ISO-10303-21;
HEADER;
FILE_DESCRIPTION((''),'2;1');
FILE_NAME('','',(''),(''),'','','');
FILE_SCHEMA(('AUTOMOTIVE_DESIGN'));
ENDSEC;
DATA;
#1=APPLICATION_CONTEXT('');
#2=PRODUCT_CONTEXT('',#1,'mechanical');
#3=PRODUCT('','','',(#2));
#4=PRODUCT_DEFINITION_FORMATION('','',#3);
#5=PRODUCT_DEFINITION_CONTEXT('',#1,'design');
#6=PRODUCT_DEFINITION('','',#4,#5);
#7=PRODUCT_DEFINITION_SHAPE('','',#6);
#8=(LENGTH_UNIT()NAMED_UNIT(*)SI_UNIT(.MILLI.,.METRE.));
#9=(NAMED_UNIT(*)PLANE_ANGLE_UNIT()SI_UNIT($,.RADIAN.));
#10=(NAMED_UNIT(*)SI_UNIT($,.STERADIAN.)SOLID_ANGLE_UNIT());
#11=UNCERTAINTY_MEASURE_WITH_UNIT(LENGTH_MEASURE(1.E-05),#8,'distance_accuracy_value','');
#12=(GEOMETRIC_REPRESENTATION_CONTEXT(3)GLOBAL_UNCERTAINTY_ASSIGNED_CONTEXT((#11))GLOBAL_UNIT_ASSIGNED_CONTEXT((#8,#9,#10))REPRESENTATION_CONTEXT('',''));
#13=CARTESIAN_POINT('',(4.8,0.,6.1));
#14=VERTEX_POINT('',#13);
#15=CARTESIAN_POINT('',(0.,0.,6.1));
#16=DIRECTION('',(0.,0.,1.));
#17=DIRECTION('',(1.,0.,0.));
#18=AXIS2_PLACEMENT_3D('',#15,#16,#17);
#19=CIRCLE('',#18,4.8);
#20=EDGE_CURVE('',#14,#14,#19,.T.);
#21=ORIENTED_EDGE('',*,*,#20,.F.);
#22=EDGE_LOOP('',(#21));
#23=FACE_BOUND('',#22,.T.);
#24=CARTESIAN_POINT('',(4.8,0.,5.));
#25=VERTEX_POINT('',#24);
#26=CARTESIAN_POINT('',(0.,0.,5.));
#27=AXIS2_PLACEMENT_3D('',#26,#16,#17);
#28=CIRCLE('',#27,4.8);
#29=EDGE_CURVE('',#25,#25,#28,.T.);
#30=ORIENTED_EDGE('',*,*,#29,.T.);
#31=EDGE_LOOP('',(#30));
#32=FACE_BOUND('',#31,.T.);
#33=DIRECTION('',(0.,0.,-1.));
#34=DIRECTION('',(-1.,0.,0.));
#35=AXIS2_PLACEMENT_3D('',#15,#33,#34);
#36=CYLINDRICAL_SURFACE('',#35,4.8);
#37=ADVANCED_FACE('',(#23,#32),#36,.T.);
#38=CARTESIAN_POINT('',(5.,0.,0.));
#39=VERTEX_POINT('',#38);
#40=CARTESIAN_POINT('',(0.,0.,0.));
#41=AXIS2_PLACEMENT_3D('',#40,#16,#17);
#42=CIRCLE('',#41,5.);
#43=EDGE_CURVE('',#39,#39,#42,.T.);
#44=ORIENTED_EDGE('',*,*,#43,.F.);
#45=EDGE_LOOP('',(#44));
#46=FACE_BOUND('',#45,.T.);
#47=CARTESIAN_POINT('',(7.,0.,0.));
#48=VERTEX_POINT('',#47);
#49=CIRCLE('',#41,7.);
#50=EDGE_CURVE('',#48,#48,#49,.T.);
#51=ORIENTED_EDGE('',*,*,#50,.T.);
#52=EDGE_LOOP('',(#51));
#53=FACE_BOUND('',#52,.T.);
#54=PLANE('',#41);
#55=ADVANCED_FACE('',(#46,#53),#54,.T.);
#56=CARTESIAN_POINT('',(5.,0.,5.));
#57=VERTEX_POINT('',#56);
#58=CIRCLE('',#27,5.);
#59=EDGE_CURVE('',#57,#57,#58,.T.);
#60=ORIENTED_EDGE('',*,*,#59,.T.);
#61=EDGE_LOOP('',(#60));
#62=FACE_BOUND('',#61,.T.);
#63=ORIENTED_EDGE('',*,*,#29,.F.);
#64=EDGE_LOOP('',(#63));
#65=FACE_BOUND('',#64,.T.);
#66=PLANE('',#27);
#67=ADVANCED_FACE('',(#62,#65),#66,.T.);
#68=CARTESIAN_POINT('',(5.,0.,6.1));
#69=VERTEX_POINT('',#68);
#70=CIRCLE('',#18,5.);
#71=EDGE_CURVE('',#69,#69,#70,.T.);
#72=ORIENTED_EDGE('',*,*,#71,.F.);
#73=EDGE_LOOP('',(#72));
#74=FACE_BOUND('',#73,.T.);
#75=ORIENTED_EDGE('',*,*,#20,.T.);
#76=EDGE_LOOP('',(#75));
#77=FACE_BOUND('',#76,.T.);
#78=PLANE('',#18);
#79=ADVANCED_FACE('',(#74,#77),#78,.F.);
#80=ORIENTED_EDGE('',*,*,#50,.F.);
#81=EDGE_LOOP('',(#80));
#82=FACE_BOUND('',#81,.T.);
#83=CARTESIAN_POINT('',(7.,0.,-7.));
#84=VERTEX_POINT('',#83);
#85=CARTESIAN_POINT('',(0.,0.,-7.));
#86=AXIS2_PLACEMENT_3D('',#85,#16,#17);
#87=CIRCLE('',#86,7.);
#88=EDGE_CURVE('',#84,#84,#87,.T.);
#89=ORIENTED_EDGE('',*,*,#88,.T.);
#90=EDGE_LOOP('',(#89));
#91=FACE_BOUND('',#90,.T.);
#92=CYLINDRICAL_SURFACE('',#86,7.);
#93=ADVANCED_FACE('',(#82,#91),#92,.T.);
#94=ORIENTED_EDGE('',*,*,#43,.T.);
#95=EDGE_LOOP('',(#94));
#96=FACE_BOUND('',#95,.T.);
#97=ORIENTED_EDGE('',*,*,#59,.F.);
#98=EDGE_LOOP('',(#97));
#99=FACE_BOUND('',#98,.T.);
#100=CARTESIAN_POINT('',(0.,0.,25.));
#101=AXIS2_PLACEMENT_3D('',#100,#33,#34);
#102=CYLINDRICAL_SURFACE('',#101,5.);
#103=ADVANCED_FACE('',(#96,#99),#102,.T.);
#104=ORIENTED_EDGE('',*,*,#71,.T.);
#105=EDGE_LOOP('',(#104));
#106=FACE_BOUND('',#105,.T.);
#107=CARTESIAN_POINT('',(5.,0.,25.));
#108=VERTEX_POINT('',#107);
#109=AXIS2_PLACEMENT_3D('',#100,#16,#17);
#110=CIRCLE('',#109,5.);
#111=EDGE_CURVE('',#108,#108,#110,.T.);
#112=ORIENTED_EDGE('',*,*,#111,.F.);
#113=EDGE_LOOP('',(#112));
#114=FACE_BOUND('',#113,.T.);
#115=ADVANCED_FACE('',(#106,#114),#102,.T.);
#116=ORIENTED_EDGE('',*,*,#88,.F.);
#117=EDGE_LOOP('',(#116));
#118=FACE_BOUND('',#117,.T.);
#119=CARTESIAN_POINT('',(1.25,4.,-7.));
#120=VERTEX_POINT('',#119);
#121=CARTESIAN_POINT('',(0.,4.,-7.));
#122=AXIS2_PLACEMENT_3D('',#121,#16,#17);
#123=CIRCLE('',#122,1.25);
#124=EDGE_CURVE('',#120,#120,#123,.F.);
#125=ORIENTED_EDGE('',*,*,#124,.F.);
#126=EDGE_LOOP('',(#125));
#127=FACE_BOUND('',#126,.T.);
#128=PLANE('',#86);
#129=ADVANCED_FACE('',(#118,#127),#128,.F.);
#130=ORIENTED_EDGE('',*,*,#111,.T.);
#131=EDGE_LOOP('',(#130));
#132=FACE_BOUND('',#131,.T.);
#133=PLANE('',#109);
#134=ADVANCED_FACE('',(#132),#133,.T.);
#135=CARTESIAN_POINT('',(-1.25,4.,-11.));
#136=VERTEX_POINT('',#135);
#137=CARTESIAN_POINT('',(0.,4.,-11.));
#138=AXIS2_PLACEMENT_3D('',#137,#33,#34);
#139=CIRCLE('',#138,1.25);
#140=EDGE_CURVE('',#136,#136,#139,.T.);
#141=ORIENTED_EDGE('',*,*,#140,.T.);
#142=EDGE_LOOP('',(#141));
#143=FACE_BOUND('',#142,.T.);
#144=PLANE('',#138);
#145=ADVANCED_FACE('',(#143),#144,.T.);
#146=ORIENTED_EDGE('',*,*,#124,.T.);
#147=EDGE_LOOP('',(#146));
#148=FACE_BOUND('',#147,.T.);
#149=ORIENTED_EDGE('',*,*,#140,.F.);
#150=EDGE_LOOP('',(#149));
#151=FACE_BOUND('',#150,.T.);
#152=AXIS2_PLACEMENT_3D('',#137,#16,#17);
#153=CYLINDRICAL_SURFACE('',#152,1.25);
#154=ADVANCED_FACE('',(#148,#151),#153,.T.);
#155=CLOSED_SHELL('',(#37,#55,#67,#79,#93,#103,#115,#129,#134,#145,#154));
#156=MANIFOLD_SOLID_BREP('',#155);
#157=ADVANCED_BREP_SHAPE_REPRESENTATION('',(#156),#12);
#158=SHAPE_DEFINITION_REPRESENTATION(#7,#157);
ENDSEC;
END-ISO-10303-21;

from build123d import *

# Parameters (mm, degrees)
SKETCH1_R           = 7
BOSS_EXTRUDE1_DEPTH = 7
SKETCH2_R           = 5
BOSS_EXTRUDE2_DEPTH = 25
SKETCH3_R           = 6
SKETCH3_R_2         = 4.8
CUT_EXTRUDE1_DEPTH  = 1.1
SKETCH4_R           = 1.25
BOSS_EXTRUDE3_DEPTH = 4


with BuildPart() as part:
    # Sketch1 → Boss-Extrude1 (new body)
    with BuildSketch(Plane.XY):
        Circle(SKETCH1_R)
    extrude(amount=-BOSS_EXTRUDE1_DEPTH)

    # Sketch2 → Boss-Extrude2 (add)
    with BuildSketch(Plane.XY):
        Circle(SKETCH2_R)
    extrude(amount=BOSS_EXTRUDE2_DEPTH)

    # Sketch3 → Cut-Extrude1 (cut)
    with BuildSketch(Plane.XY.offset(5)):
        Circle(SKETCH3_R)
        Circle(SKETCH3_R_2, mode=Mode.SUBTRACT)
    extrude(amount=CUT_EXTRUDE1_DEPTH, mode=Mode.SUBTRACT)

    # Sketch4 → Boss-Extrude3 (add)
    with BuildSketch(Plane(origin=(0, 0, -7), x_dir=(-1, 0, 0), z_dir=(0, 0, -1))):
        with Locations((0, 4)):
            Circle(SKETCH4_R)
    extrude(amount=BOSS_EXTRUDE3_DEPTH)


solid = part.part
